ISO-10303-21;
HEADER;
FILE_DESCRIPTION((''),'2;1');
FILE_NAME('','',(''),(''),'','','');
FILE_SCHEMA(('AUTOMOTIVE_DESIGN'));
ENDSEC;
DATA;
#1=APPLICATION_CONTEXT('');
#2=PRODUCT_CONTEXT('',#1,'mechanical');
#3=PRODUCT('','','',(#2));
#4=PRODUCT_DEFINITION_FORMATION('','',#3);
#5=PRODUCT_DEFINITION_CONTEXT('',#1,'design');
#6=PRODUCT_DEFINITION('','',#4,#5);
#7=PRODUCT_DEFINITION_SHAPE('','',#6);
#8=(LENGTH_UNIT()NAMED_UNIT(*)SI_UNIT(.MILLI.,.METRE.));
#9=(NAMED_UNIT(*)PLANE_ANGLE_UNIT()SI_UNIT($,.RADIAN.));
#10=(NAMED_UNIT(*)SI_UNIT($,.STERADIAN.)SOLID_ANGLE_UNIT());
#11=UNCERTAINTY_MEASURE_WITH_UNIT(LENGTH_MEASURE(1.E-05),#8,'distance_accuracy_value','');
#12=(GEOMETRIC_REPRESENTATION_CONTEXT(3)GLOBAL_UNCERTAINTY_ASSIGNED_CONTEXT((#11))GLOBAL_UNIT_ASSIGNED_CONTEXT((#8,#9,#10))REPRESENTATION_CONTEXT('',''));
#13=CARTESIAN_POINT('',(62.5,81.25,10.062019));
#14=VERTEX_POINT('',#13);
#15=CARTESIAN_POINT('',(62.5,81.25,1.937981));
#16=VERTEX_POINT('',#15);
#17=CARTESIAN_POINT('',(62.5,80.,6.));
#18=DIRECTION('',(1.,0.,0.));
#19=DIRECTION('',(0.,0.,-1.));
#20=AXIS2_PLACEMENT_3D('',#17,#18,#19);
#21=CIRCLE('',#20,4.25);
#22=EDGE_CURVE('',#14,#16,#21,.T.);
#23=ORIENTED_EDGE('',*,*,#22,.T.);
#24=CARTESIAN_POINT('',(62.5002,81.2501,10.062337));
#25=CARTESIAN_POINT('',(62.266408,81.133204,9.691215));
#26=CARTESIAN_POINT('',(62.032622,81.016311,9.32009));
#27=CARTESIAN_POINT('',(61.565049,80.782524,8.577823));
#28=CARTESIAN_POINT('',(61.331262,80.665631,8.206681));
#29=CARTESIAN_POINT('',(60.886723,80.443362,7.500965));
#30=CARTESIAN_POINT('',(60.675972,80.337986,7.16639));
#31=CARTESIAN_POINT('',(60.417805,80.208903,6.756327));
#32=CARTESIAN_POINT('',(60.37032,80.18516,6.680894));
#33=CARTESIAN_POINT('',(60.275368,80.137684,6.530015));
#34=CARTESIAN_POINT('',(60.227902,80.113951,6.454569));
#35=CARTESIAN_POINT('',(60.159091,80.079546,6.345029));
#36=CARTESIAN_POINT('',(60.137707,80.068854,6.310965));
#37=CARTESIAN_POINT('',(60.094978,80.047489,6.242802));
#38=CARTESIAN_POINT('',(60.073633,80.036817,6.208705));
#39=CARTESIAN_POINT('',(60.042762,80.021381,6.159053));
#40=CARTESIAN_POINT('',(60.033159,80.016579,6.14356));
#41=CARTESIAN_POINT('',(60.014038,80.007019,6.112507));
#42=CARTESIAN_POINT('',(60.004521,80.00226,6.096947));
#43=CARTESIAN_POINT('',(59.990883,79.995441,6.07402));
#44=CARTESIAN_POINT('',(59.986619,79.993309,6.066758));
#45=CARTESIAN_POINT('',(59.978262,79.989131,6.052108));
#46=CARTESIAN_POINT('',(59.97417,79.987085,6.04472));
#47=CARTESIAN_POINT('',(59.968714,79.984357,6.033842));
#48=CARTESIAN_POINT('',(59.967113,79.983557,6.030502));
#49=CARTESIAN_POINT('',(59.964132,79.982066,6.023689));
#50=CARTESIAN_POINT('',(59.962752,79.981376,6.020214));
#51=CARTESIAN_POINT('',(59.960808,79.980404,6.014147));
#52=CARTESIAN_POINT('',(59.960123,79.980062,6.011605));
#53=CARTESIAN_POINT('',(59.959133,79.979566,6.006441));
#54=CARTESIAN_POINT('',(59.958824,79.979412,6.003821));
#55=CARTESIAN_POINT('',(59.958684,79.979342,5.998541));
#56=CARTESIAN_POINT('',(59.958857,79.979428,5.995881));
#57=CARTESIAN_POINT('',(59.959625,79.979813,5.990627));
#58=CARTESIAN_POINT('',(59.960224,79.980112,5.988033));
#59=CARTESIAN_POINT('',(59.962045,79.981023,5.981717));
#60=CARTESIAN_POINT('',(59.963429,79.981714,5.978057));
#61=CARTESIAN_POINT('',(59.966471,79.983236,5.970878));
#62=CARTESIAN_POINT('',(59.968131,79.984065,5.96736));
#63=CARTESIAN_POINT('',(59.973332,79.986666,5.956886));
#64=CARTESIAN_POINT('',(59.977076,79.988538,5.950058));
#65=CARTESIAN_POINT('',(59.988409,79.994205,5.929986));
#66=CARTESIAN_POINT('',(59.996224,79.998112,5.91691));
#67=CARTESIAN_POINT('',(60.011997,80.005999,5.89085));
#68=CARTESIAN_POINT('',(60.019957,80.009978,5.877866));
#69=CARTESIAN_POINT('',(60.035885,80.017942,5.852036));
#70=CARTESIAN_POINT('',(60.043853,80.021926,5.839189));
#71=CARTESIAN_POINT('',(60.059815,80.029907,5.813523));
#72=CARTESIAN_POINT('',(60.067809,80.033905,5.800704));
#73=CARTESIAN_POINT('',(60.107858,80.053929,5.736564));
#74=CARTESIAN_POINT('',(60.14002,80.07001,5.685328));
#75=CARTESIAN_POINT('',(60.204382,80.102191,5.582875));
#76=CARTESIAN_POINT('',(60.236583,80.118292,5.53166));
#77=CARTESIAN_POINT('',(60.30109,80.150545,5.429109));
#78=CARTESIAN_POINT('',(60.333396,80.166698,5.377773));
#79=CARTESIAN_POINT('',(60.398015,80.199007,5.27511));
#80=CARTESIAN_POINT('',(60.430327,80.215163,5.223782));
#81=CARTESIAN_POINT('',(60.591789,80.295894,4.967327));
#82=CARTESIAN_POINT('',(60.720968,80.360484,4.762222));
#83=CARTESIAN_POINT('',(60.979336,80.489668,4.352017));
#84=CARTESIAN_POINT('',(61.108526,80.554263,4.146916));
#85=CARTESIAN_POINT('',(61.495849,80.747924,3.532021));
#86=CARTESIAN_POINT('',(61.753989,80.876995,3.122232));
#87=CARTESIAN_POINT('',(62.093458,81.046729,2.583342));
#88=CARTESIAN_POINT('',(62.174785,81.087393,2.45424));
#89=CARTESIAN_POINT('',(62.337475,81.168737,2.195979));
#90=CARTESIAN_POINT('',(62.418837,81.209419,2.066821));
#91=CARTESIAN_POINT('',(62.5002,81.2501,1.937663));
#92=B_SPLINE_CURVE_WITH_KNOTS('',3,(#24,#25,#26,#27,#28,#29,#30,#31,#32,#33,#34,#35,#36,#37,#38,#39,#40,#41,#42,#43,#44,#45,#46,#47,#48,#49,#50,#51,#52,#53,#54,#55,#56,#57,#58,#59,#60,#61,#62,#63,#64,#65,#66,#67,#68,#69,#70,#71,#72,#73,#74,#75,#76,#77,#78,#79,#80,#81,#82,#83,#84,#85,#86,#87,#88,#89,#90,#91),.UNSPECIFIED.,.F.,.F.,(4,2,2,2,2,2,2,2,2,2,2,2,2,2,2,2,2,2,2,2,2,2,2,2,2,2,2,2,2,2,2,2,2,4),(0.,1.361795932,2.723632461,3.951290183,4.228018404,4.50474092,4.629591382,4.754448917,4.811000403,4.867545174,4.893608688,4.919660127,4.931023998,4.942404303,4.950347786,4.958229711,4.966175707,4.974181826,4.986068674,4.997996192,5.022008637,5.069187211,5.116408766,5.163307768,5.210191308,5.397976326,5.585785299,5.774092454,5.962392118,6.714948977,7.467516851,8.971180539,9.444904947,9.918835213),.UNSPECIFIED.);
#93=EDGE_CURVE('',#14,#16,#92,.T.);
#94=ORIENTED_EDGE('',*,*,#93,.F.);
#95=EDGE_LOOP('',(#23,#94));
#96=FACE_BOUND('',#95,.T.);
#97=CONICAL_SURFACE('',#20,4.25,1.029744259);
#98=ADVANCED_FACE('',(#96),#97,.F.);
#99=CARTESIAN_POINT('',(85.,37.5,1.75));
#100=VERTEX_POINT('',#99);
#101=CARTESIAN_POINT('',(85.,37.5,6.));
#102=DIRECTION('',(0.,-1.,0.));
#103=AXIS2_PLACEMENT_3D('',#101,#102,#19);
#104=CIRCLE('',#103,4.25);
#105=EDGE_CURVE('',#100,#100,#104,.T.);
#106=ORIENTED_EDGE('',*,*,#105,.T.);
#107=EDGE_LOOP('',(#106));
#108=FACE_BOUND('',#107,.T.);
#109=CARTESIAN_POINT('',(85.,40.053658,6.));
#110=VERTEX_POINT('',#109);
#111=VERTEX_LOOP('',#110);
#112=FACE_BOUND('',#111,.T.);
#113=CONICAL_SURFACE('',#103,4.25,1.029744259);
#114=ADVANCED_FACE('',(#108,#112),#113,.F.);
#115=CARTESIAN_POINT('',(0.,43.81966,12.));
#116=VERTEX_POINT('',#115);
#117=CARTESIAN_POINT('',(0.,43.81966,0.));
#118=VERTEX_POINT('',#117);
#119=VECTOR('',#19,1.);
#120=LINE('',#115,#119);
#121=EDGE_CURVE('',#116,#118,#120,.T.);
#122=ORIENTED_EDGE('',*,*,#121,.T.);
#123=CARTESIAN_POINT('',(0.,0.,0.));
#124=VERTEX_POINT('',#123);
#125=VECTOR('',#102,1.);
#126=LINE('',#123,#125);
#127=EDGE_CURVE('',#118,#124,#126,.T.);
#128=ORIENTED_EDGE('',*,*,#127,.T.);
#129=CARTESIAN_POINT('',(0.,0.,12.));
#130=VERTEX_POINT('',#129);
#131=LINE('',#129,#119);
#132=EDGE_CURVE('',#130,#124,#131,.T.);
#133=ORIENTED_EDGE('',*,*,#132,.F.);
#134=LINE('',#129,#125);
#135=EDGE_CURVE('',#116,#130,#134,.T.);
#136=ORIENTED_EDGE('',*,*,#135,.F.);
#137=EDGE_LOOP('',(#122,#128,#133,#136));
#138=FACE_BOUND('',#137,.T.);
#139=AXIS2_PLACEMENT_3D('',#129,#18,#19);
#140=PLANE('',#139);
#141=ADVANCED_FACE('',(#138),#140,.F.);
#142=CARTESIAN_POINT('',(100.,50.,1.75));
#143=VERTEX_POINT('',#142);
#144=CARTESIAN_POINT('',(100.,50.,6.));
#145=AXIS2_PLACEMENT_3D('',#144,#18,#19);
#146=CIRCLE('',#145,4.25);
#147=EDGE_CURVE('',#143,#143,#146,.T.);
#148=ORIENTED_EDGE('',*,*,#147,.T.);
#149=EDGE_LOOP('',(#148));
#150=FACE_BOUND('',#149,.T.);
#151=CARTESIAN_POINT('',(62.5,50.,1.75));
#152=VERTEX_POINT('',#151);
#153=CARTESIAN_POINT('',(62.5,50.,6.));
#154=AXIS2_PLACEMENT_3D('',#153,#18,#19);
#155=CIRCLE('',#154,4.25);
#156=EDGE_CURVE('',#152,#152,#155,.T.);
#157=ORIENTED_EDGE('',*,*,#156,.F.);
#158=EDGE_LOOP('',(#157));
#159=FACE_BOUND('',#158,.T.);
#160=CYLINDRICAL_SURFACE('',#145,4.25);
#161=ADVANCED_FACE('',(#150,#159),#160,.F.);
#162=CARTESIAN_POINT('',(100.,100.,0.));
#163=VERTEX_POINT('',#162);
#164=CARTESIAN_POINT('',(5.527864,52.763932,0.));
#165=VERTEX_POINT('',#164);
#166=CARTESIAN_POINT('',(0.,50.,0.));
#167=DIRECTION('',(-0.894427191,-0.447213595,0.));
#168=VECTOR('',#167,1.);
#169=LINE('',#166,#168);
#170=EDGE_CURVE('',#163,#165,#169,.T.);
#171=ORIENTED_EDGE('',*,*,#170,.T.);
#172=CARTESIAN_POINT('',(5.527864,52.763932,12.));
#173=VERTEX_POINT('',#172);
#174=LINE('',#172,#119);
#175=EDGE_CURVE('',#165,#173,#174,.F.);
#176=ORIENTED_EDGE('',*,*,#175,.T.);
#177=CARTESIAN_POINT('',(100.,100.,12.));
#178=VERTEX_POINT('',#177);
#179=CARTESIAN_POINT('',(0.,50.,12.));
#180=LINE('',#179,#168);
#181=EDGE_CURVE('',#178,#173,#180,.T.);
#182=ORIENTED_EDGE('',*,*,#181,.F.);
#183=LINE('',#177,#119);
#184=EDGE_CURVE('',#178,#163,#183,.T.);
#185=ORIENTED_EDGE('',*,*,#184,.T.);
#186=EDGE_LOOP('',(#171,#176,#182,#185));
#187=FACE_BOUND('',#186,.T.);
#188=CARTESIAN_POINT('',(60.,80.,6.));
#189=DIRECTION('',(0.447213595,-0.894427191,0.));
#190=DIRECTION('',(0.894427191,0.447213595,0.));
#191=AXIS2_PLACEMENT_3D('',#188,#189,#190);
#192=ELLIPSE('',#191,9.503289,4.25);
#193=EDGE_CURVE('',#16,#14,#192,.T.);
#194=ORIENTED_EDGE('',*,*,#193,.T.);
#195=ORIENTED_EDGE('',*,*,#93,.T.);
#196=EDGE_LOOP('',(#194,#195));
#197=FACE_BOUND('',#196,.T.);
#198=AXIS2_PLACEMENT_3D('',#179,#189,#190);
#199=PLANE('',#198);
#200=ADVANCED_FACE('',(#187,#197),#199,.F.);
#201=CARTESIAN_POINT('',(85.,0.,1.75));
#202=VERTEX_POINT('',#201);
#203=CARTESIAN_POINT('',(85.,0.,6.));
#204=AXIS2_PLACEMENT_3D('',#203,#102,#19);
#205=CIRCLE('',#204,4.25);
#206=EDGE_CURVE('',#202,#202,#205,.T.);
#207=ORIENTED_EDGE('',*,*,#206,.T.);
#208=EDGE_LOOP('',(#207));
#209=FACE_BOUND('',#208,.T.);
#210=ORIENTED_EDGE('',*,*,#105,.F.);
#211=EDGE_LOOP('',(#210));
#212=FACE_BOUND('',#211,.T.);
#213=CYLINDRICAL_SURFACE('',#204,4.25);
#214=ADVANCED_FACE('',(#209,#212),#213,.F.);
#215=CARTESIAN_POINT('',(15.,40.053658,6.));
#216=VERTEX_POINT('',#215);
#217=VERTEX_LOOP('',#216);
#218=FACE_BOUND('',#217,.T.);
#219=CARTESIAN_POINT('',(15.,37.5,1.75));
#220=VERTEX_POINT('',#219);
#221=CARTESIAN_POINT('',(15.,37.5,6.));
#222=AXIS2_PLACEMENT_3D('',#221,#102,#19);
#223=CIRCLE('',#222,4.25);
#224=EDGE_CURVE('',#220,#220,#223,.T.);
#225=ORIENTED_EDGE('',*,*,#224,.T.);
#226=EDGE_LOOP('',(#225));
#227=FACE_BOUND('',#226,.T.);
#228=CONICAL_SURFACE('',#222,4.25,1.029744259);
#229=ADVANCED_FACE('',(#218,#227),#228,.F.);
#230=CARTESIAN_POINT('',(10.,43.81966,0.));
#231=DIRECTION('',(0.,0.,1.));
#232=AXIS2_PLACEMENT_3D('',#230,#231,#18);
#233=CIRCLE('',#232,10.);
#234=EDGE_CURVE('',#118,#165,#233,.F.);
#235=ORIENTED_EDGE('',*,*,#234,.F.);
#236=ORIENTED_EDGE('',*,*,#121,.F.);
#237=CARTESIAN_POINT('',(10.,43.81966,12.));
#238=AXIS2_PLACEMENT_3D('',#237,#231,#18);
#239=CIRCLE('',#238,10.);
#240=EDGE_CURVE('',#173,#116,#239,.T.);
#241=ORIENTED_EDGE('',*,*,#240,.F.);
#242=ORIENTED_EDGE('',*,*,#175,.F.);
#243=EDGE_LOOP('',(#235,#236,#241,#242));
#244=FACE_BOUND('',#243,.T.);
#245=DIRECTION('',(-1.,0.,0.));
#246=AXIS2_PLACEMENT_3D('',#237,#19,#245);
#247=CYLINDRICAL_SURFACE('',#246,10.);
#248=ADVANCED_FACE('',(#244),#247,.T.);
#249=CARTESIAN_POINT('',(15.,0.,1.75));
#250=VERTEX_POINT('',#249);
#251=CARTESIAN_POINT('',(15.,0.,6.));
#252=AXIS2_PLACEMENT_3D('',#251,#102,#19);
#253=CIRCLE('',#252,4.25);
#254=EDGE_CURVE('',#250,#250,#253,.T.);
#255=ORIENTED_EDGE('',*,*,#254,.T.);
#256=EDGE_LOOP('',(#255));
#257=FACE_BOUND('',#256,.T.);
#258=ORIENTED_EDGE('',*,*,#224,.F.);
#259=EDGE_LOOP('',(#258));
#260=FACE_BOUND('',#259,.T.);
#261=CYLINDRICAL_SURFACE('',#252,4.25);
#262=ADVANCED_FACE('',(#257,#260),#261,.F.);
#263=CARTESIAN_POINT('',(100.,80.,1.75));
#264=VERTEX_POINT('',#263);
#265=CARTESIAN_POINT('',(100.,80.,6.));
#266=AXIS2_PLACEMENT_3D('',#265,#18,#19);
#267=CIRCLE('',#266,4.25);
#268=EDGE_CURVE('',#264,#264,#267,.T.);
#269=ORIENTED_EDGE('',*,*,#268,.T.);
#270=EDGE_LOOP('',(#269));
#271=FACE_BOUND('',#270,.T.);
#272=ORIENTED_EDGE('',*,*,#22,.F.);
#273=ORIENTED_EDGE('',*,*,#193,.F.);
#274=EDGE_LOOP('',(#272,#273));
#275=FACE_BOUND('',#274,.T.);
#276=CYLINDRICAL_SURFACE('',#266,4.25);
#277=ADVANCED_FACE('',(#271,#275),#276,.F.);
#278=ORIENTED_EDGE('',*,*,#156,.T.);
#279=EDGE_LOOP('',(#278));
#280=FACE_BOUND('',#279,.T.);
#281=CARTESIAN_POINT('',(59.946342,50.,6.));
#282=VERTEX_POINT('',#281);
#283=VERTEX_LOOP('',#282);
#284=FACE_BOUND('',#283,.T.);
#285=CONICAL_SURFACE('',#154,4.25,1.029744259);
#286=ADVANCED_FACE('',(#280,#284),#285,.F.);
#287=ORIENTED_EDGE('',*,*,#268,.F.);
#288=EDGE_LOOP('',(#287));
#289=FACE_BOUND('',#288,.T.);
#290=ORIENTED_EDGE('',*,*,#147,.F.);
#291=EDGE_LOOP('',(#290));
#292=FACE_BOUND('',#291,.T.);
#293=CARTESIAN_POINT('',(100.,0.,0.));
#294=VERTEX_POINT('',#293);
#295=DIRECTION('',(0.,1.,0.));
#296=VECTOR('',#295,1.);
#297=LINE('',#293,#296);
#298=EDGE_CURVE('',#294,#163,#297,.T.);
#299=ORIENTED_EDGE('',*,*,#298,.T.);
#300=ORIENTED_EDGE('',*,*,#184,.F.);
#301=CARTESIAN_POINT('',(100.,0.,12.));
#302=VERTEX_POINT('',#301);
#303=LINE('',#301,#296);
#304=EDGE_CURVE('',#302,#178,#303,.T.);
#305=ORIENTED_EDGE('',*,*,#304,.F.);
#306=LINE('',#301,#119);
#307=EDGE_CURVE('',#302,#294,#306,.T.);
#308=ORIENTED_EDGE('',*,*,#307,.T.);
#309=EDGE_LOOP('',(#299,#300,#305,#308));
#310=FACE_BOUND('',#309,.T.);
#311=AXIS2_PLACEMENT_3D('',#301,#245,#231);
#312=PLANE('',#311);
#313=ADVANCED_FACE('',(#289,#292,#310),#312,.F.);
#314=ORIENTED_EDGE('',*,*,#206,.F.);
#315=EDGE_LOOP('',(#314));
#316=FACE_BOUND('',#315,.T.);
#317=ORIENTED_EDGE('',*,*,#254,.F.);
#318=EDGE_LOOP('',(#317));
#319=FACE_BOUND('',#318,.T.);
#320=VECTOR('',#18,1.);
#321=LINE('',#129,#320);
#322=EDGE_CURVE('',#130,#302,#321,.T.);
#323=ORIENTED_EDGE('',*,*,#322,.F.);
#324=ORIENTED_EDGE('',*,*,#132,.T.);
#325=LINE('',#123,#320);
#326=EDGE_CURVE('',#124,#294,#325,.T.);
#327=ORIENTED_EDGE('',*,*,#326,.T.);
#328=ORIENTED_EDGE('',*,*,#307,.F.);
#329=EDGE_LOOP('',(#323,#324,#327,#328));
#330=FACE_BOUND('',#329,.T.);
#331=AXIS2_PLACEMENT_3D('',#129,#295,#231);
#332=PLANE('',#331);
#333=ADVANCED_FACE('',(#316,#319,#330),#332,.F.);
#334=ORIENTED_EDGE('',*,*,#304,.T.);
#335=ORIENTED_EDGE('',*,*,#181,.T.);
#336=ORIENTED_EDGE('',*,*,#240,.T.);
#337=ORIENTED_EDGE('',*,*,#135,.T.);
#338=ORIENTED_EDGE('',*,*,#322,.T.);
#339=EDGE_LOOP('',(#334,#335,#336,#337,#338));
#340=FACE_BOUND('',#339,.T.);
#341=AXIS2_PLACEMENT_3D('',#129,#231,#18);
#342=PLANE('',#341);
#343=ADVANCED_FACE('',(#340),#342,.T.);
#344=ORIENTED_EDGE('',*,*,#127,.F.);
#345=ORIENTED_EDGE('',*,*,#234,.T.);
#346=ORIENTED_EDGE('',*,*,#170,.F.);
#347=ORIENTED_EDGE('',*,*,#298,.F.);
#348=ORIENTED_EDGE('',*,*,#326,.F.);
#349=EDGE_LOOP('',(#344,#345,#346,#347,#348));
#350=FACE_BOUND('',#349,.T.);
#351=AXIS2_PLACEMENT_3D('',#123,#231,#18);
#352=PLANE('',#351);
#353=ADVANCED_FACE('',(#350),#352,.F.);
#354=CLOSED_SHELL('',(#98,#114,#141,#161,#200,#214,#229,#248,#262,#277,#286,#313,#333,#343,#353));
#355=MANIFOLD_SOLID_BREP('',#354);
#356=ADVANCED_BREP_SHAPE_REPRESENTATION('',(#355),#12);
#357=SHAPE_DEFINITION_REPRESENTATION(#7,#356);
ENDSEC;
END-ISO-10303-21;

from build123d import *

# Parameters (mm, degrees)
AUFSATZ_LINEAR_AUSTRAGEN1_DEPTH = 12
M10_GEWINDEBOHRUNG1_D           = 8.5
M10_GEWINDEBOHRUNG1_DEPTH       = 37.5
M10_GEWINDEBOHRUNG1_TIP         = 2.553657631
M10_GEWINDEBOHRUNG2_D           = 8.5
M10_GEWINDEBOHRUNG2_DEPTH       = 37.5
M10_GEWINDEBOHRUNG2_TIP         = 2.553657631
VERRUNDUNG1_R                   = 10


with BuildPart() as part:
    # Skizze1 → Aufsatz-Linear austragen1 (new body)
    with BuildSketch(Plane.XY):
        Polygon((100, 0), (100, 100), (0, 50), (0, 0), align=None)
    extrude(amount=AUFSATZ_LINEAR_AUSTRAGEN1_DEPTH)

    # M10 Gewindebohrung1
    with Locations(Plane(origin=(0, 0, 0), x_dir=(-1, 0, 0), z_dir=(0, -1, 0))):
        with Locations((-15, -6), (-85, -6)):
            Hole(M10_GEWINDEBOHRUNG1_D / 2, depth=M10_GEWINDEBOHRUNG1_DEPTH)
            with Locations((0, 0, -(M10_GEWINDEBOHRUNG1_DEPTH + M10_GEWINDEBOHRUNG1_TIP / 2))):  # 118° drill point
                Cone(0, M10_GEWINDEBOHRUNG1_D / 2, M10_GEWINDEBOHRUNG1_TIP, mode=Mode.SUBTRACT)

    # M10 Gewindebohrung2
    with Locations(Plane(origin=(100, 0, 0), x_dir=(0, 0, -1), z_dir=(1, 0, 0))):
        with Locations((-6, 50), (-6, 80)):
            Hole(M10_GEWINDEBOHRUNG2_D / 2, depth=M10_GEWINDEBOHRUNG2_DEPTH)
            with Locations((0, 0, -(M10_GEWINDEBOHRUNG2_DEPTH + M10_GEWINDEBOHRUNG2_TIP / 2))):  # 118° drill point
                Cone(0, M10_GEWINDEBOHRUNG2_D / 2, M10_GEWINDEBOHRUNG2_TIP, mode=Mode.SUBTRACT)

    # Verrundung1
    verrundung1_edges = [part.edges().sort_by_distance(p)[0] for p in [
        (0, 50, 6),
    ]]
    fillet(verrundung1_edges, radius=VERRUNDUNG1_R)


solid = part.part
